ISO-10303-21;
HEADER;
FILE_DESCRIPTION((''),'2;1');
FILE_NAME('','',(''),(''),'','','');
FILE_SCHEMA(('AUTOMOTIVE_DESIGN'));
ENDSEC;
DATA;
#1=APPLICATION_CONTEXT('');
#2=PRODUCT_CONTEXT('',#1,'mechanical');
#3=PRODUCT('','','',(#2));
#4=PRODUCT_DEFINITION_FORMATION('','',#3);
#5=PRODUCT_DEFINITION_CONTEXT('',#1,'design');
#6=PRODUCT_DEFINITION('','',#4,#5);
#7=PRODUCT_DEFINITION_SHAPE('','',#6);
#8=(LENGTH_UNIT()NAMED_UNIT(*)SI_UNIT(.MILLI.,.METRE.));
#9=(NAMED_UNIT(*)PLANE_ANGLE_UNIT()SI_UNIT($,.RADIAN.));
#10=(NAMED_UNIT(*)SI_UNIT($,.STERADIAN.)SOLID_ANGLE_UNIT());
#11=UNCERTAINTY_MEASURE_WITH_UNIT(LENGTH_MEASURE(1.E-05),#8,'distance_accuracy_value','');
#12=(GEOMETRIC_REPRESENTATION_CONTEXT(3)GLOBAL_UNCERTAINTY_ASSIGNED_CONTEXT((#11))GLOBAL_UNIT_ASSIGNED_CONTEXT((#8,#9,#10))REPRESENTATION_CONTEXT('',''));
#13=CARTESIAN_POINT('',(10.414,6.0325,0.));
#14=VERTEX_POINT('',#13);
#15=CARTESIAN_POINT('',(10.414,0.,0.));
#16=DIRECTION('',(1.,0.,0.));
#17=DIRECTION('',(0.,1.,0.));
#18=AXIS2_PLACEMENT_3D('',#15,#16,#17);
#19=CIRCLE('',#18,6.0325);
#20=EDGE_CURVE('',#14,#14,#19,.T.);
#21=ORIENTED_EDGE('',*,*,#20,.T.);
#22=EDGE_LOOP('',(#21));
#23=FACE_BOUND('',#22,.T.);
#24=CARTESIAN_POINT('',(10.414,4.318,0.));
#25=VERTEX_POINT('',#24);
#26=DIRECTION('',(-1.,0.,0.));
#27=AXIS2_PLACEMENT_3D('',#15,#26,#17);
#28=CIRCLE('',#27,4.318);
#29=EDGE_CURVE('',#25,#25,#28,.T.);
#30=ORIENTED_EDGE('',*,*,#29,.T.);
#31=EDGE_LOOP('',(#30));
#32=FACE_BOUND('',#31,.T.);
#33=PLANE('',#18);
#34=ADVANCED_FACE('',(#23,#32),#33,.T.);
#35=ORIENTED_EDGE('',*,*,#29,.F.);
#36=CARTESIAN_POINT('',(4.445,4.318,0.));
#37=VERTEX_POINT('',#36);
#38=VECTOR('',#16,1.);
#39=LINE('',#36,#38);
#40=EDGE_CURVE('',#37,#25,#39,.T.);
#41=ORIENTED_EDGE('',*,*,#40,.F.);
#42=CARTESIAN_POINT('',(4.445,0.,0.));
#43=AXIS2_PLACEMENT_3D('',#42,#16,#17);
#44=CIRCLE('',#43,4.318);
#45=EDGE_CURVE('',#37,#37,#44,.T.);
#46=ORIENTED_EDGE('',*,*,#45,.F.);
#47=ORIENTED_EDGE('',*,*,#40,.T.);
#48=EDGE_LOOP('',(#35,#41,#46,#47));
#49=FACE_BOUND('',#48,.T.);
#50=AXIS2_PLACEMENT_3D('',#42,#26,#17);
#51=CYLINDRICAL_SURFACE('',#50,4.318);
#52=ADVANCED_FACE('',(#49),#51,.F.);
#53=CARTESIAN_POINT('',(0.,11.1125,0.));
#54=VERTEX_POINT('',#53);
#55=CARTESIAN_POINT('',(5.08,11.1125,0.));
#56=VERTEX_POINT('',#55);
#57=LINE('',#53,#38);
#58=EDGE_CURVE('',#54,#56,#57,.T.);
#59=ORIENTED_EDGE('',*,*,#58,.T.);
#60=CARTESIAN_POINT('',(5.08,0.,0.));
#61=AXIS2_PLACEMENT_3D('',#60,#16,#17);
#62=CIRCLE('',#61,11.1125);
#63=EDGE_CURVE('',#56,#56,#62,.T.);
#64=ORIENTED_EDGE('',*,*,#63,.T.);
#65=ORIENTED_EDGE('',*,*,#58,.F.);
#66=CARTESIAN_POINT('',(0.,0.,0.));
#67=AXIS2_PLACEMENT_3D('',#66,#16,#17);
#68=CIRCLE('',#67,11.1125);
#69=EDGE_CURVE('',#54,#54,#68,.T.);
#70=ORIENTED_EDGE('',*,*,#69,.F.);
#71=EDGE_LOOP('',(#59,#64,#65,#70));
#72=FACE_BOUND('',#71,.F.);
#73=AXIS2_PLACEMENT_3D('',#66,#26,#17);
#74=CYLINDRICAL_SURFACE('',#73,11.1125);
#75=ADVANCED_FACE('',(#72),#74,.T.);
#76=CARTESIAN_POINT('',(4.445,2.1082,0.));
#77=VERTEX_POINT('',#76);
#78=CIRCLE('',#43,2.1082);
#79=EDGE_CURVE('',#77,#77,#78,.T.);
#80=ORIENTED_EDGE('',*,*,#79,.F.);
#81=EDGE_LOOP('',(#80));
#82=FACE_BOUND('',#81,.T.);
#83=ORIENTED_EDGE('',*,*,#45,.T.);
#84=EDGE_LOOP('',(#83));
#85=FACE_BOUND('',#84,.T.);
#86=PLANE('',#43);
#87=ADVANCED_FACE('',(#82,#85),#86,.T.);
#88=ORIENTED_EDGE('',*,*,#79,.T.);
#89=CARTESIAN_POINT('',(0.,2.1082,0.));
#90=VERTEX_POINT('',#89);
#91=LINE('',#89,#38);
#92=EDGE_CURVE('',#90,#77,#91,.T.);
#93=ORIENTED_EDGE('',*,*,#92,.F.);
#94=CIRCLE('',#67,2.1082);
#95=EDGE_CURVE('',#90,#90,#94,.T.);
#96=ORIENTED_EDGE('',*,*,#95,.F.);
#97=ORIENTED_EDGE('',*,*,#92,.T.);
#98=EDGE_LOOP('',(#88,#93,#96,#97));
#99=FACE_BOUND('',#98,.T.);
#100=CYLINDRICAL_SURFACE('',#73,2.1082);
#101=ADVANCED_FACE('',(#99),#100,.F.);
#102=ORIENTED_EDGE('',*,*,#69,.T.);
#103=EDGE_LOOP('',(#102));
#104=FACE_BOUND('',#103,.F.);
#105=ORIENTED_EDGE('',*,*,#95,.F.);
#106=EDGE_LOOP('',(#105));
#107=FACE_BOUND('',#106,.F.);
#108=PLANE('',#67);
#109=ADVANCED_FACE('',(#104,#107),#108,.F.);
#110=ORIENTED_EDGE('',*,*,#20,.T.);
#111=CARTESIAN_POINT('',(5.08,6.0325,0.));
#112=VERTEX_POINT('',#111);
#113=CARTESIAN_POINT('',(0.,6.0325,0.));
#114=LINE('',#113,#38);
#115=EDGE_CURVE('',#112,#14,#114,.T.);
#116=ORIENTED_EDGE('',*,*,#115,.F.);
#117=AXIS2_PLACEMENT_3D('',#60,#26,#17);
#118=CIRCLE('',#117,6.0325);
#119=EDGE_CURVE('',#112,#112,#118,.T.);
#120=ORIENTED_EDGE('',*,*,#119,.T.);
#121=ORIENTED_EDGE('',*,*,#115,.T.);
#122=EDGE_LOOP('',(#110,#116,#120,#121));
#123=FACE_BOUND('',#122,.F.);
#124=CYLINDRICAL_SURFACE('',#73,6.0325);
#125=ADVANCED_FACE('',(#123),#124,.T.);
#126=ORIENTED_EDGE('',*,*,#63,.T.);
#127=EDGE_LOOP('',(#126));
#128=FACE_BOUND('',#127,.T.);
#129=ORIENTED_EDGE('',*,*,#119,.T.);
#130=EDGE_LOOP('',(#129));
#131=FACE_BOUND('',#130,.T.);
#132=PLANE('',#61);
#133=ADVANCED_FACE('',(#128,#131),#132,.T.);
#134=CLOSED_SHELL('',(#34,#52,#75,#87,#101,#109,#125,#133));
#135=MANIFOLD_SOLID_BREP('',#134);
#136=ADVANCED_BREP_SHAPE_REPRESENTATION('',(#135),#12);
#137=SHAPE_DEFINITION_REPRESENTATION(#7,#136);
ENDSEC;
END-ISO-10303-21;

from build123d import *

# Parameters (mm, degrees)
F0_R     = 11.1125
F0_R_2   = 6.0325
F0_R_3   = 4.318
F0_R_4   = 2.1082
F1_DEPTH = 5.08
F2_DEPTH = 10.414
F3_START = 4.445
F3_DEPTH = 8.255


with BuildPart() as f1:
    # F0 (on Right) → F1 (new body)
    with BuildSketch(Plane.YZ):
        Circle(F0_R)
        Circle(F0_R_2, mode=Mode.SUBTRACT)
        Circle(F0_R_2)
        Circle(F0_R_3, mode=Mode.SUBTRACT)
        Circle(F0_R_3)
        Circle(F0_R_4, mode=Mode.SUBTRACT)
    extrude(amount=F1_DEPTH)

    # F0 (on Right) → F2 (join)
    with BuildSketch(Plane.YZ):
        Circle(F0_R_2)
        Circle(F0_R_3, mode=Mode.SUBTRACT)
        Circle(F0_R_3)
        Circle(F0_R_4, mode=Mode.SUBTRACT)
    extrude(amount=F2_DEPTH)

    # F0 (on Right) → F3 (cut)
    with BuildSketch(Plane.YZ.offset(F3_START)):
        Circle(F0_R_3)
        Circle(F0_R_4, mode=Mode.SUBTRACT)
    extrude(amount=F3_DEPTH, mode=Mode.SUBTRACT)


solid = f1.part
